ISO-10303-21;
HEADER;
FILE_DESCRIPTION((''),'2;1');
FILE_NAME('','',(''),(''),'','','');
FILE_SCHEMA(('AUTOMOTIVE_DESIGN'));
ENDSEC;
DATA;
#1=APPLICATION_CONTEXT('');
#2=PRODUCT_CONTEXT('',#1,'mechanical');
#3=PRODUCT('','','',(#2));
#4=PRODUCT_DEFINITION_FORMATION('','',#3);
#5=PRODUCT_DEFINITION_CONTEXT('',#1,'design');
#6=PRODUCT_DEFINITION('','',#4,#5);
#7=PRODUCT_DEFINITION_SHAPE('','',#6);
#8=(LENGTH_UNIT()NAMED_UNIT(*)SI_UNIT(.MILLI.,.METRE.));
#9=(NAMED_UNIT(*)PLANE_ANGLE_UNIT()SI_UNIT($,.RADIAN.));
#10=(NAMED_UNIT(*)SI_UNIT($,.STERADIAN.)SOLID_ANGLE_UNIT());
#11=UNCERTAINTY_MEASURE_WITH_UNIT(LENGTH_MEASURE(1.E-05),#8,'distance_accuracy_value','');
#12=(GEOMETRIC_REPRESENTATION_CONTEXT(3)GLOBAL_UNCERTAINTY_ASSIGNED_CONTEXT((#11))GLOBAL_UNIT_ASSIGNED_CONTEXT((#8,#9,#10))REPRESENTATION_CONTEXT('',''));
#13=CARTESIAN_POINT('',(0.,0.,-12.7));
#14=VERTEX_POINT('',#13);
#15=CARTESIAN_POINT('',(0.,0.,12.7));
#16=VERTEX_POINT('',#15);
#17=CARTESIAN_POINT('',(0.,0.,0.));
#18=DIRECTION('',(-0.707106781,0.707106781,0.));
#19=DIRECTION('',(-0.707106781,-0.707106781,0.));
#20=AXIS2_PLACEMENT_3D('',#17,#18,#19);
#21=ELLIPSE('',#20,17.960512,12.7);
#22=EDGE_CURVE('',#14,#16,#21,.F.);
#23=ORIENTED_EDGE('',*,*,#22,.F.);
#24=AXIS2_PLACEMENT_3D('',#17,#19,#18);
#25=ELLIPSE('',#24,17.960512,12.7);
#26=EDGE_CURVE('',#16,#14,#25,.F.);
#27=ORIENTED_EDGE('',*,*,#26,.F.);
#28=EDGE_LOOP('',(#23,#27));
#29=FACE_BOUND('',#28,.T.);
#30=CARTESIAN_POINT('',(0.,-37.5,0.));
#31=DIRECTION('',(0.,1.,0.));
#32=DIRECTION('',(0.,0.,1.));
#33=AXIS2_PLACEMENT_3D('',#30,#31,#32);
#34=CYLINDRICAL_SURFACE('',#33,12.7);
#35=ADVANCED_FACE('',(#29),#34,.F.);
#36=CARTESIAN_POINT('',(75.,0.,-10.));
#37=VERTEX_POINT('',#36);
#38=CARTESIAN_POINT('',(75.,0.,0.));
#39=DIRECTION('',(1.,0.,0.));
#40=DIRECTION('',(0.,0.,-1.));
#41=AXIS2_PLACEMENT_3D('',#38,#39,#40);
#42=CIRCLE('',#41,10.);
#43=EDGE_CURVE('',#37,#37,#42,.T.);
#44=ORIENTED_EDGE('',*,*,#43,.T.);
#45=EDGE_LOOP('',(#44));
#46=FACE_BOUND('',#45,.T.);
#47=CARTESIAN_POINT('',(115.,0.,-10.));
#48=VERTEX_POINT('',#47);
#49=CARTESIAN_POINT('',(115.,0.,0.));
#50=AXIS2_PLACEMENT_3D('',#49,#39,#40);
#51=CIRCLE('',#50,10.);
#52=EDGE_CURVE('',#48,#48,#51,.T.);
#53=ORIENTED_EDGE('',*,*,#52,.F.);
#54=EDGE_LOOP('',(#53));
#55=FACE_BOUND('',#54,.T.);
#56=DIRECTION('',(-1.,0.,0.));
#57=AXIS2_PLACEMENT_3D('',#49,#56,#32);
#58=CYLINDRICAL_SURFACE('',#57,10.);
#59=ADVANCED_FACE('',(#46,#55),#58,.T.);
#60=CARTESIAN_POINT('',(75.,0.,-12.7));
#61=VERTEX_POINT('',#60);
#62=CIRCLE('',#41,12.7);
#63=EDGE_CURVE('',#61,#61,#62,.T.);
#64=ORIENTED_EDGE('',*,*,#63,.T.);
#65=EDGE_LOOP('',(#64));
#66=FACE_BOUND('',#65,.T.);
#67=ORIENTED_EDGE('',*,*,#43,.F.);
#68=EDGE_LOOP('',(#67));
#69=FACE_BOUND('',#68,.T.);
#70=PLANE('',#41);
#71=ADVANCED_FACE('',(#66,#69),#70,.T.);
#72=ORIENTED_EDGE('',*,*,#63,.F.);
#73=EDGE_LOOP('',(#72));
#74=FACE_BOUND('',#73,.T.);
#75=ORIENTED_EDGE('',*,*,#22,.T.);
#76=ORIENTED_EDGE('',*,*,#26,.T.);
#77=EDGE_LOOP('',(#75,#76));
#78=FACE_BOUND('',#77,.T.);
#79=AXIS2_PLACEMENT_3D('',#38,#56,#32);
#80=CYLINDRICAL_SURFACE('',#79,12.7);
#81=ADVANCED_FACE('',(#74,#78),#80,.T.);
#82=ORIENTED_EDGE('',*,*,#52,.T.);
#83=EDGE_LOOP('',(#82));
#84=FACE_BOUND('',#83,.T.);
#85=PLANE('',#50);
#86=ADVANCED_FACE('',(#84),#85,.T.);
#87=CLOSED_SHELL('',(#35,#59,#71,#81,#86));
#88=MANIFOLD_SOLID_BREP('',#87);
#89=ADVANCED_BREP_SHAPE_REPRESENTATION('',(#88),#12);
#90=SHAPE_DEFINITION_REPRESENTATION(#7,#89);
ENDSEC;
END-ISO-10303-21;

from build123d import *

# Parameters (mm, degrees)
SKETCH1_R           = 12.7
BOSS_EXTRUDE1_DEPTH = 75
SKETCH5_R           = 12.7
CUT_EXTRUDE1_DEPTH  = 37.5
SKETCH2_R           = 10
BOSS_EXTRUDE2_DEPTH = 40


with BuildPart() as part:
    # Sketch1 → Boss-Extrude1 (new body)
    with BuildSketch(Plane(origin=(0, 0, 0), x_dir=(0, 0, -1), z_dir=(1, 0, 0))):
        Circle(SKETCH1_R)
    extrude(amount=BOSS_EXTRUDE1_DEPTH)

    # Sketch5 → Cut-Extrude1 (cut, symmetric)
    with BuildSketch(Plane(origin=(0, 0, 0), x_dir=(1, 0, 0), z_dir=(0, 1, 0))):
        Circle(SKETCH5_R)
    extrude(amount=CUT_EXTRUDE1_DEPTH, both=True, mode=Mode.SUBTRACT)

    # Sketch2 → Boss-Extrude2 (add)
    with BuildSketch(Plane(origin=(75, 0, 0), x_dir=(0, 0, -1), z_dir=(1, 0, 0))):
        Circle(SKETCH2_R)
    extrude(amount=BOSS_EXTRUDE2_DEPTH)


solid = part.part
